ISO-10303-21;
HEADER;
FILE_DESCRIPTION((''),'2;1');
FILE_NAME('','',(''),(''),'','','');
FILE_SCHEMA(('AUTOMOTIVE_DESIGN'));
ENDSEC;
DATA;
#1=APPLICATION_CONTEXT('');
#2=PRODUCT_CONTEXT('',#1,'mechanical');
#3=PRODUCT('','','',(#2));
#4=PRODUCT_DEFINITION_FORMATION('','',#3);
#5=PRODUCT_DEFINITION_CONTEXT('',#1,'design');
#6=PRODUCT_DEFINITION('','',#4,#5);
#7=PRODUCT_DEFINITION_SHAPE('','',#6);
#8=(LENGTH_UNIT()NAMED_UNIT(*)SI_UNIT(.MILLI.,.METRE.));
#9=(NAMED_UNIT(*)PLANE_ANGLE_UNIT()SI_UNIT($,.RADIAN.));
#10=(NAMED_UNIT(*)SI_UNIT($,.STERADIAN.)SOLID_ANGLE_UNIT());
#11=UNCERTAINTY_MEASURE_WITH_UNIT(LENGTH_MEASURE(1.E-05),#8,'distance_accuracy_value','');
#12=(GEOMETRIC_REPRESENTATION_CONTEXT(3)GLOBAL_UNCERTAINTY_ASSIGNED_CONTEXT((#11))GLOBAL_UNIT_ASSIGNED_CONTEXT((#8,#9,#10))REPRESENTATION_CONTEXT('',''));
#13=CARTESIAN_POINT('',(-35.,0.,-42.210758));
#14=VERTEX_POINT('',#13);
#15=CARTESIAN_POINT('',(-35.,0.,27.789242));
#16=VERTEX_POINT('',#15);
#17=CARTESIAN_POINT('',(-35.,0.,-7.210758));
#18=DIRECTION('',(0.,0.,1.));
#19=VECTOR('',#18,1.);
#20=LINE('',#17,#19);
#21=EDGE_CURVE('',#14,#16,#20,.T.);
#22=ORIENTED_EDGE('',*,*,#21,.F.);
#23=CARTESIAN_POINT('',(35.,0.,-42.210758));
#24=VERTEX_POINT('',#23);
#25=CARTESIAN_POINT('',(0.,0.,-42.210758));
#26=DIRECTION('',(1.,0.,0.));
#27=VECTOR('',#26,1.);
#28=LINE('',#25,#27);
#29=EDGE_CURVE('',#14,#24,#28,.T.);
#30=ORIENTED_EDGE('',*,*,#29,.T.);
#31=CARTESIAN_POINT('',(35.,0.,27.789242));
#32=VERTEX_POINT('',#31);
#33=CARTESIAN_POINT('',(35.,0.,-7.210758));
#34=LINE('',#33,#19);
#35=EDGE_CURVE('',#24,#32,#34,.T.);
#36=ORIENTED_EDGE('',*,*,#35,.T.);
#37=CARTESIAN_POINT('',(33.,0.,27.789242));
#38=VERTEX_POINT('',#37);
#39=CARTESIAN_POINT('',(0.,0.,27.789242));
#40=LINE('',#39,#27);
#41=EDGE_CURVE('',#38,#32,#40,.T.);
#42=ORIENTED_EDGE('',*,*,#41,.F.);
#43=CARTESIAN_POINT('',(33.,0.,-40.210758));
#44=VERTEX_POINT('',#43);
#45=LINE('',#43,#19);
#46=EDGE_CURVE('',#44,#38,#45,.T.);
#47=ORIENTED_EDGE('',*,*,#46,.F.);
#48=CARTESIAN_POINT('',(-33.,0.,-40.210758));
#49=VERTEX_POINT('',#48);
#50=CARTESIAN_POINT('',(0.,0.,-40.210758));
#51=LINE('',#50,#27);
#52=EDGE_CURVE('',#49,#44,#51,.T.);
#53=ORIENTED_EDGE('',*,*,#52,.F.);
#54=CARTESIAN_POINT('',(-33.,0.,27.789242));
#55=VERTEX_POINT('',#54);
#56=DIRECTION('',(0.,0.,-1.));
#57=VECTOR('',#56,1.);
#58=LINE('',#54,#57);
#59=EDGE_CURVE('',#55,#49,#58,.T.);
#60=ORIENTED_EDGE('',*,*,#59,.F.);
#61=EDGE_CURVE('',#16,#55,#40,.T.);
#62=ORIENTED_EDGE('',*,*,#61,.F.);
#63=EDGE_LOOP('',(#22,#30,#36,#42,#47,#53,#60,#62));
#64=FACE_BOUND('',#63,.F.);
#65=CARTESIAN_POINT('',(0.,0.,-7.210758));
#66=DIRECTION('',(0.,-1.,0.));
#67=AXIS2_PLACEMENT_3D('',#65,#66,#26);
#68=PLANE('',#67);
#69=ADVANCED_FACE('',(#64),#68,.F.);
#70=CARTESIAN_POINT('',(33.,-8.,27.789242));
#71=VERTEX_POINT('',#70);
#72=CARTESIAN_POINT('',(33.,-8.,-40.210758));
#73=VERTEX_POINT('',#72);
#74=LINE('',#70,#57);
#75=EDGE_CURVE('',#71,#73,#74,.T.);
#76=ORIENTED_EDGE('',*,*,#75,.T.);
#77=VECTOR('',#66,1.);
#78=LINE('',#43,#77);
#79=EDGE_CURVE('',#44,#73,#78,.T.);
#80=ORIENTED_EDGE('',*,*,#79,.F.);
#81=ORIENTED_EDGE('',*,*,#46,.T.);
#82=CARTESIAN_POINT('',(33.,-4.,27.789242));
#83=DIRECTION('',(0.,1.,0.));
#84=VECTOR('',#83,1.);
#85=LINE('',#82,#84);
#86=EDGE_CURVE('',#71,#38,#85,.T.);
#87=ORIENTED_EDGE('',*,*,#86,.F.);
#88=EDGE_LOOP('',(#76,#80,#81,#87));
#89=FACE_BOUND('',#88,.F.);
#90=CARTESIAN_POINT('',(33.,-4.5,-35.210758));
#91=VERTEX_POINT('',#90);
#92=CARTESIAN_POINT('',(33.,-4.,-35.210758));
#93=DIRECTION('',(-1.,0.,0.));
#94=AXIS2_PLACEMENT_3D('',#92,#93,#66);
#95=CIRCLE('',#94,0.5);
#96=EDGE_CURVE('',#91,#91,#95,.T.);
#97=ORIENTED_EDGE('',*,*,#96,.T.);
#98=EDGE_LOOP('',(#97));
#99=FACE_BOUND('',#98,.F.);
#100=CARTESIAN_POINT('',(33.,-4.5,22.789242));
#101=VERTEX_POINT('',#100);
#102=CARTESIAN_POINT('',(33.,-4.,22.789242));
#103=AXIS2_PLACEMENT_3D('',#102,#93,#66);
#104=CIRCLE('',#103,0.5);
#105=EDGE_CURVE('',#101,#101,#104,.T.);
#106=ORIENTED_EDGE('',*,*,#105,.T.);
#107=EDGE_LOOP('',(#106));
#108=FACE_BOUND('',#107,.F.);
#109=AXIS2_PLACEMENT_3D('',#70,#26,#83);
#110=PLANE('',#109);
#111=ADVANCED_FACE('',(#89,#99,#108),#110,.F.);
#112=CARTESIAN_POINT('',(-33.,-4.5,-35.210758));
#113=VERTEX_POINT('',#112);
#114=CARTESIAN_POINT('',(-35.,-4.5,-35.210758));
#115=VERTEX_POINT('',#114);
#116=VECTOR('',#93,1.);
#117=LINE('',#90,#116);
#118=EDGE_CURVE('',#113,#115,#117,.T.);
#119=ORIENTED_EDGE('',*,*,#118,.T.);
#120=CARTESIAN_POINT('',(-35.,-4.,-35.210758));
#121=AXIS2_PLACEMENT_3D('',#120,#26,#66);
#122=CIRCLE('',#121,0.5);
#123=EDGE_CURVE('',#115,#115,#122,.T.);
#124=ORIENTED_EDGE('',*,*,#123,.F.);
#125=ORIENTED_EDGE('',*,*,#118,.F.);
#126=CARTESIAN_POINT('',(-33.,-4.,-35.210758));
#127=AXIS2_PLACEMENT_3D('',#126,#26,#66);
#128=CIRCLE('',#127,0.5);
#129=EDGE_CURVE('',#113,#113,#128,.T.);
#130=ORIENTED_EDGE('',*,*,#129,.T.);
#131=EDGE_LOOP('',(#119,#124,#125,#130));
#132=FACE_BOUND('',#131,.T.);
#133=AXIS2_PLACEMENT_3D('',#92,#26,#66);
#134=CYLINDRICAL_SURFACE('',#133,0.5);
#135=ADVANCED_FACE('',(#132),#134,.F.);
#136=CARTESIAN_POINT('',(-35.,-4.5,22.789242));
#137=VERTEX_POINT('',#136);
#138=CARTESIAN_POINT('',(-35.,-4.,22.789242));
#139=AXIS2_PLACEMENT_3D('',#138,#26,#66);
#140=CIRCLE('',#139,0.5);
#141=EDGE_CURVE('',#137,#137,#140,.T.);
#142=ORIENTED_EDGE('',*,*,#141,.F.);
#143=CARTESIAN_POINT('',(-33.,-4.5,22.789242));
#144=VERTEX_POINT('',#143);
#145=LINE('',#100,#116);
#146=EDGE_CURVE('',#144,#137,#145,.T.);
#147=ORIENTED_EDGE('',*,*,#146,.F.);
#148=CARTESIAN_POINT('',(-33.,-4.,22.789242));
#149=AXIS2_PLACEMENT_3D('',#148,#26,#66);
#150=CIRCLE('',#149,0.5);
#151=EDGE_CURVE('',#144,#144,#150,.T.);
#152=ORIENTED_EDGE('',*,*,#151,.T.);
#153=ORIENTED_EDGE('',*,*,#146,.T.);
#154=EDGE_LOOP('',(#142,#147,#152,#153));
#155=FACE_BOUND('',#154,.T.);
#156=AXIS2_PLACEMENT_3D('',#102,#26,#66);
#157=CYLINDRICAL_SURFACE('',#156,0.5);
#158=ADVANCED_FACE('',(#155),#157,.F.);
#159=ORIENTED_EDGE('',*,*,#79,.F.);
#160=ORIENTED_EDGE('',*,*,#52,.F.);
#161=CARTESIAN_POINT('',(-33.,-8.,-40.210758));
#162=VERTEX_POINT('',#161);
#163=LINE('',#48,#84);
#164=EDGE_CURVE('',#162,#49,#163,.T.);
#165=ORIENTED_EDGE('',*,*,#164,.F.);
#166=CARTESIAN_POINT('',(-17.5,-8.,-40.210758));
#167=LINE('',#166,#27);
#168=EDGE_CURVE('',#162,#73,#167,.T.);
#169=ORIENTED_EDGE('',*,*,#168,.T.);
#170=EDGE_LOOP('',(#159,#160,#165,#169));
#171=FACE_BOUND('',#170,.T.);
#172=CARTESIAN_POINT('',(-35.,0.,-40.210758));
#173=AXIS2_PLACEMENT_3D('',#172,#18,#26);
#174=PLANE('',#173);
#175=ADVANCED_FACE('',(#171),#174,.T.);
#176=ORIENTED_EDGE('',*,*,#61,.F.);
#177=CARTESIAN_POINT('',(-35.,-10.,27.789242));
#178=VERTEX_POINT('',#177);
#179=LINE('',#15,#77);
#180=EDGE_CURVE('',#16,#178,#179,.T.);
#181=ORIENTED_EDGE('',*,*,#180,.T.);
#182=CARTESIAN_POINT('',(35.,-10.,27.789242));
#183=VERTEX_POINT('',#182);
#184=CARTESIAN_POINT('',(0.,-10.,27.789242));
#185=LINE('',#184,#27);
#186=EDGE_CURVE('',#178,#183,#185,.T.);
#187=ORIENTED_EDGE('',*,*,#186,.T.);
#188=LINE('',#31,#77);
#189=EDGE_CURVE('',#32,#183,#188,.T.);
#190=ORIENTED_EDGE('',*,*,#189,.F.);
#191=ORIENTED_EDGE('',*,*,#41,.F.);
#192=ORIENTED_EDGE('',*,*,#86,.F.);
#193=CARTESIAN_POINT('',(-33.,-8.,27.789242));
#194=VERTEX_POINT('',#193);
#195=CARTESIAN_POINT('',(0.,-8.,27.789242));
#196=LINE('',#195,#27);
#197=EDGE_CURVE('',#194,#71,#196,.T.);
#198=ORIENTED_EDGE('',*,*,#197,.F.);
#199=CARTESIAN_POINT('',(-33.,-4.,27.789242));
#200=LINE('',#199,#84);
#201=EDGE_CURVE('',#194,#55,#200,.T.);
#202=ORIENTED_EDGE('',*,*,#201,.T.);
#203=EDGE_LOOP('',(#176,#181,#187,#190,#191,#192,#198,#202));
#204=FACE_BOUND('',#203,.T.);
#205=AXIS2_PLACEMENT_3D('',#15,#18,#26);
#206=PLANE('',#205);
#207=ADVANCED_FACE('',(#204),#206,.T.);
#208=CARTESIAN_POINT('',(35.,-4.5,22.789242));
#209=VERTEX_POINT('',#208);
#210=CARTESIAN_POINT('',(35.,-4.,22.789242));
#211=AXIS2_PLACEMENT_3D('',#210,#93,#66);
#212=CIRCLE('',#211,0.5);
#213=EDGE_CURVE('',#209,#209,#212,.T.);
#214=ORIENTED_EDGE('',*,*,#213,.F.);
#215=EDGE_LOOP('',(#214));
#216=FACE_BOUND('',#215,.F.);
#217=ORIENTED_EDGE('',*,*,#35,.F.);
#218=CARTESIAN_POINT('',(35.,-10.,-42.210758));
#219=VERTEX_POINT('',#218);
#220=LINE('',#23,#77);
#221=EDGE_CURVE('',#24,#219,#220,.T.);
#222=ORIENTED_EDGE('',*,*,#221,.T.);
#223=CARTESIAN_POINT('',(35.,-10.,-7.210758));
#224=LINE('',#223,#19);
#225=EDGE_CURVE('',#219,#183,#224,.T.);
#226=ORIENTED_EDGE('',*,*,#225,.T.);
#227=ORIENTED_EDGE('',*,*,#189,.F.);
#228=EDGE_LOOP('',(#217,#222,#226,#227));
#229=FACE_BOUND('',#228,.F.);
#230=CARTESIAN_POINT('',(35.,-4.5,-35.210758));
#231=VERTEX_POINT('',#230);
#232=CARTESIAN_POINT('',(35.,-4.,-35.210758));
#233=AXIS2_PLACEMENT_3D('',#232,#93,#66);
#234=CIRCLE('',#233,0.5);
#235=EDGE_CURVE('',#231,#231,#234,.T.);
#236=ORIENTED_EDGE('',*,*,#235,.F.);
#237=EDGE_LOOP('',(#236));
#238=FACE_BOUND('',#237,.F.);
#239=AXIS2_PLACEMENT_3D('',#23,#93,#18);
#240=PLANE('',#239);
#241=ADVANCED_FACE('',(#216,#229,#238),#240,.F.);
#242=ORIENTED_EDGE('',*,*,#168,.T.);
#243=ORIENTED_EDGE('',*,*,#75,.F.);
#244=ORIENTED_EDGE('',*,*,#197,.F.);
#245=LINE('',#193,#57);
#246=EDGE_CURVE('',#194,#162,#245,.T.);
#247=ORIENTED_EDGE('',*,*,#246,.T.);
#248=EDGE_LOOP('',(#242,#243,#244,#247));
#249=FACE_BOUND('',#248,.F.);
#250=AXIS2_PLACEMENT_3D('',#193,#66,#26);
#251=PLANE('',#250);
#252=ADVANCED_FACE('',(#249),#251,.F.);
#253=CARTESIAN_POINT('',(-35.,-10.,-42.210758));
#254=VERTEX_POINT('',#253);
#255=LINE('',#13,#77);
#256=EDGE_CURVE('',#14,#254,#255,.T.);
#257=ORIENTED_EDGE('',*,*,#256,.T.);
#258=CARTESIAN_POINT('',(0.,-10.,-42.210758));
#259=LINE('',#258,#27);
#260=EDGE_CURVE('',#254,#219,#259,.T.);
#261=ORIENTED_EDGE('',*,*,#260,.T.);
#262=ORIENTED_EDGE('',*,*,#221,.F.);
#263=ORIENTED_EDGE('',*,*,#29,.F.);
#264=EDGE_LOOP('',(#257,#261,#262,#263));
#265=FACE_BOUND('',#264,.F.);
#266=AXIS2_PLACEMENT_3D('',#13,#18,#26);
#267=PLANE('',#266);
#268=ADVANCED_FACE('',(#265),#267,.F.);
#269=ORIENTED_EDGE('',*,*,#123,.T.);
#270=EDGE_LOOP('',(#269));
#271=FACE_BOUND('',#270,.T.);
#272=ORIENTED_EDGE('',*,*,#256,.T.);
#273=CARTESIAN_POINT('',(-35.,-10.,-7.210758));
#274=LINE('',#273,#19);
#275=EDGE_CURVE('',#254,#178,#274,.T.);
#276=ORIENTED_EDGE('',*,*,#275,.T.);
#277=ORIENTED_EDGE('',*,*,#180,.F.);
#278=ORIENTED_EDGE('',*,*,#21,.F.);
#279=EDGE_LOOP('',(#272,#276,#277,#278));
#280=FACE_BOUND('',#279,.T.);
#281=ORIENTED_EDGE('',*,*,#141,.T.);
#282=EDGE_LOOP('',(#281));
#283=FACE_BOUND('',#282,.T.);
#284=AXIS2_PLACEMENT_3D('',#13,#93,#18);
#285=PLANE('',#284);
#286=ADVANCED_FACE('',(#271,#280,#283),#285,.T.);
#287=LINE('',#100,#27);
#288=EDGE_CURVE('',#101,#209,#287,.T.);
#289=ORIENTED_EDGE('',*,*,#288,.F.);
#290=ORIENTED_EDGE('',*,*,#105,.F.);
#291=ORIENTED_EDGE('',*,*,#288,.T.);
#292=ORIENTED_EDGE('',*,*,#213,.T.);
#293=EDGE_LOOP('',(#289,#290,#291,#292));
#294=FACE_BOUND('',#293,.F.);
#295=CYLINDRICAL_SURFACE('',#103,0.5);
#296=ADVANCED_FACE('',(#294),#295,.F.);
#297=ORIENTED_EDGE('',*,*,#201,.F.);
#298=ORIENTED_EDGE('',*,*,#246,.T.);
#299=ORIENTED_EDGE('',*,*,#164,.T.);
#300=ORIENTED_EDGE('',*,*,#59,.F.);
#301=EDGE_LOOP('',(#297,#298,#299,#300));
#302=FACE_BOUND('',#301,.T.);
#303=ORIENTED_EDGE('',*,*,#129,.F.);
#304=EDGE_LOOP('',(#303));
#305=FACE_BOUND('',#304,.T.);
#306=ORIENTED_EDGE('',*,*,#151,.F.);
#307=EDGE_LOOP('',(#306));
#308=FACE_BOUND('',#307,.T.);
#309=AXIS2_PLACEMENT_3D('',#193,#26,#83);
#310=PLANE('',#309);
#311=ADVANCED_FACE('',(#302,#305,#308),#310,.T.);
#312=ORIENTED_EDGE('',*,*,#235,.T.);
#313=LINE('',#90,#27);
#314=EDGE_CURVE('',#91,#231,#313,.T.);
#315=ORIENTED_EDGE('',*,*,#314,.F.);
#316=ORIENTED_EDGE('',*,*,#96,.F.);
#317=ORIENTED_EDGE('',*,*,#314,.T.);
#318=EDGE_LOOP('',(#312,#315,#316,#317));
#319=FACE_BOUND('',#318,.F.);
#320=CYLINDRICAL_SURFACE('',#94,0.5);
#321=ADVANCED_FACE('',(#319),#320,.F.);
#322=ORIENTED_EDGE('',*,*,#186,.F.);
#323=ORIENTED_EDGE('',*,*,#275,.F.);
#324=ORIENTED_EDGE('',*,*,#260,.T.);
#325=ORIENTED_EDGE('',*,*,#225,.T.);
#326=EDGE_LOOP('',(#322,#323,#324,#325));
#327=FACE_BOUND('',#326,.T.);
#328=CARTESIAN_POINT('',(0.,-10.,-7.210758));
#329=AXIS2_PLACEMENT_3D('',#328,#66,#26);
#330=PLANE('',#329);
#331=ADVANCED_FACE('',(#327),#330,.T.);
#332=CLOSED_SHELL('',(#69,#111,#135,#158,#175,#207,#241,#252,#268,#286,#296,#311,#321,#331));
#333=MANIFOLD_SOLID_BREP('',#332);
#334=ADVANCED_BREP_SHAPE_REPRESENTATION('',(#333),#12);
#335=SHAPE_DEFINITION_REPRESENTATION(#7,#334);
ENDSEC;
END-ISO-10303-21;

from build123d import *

# Parameters (mm, degrees)
F0_W          = 70
F0_H          = 70
F1_DEPTH      = 10
F2_T          = -2
F3_W          = 66
F3_H          = 8
F4_DEPTH      = 4.32812
F5_R          = 0.5
F6_DEPTH      = 2.001
F6_DEPTH_BACK = 68.001


with BuildPart() as f1:
    # F0 (on Front) → F1 (new body)
    with BuildSketch(Plane.XZ):
        with Locations((0, -7.2107579758)):
            Rectangle(F0_W, F0_H)
    extrude(amount=F1_DEPTH)

    # F2
    f2_openings = [f1.faces().sort_by_distance(p)[0] for p in [
        (0, 0, -7.210758),
    ]]
    offset(amount=F2_T, openings=f2_openings)

    # F3 (on face) → F4 (cut)
    with BuildSketch(Plane.XY.offset(27.7892420242)):
        with Locations((0, -4)):
            Rectangle(F3_W, F3_H)
    extrude(amount=-F4_DEPTH, mode=Mode.SUBTRACT)

    # F5 (on face) → F6 (cut, two sides)
    with BuildSketch(Plane(origin=(33, 0, 0), x_dir=(0, -1, 0), z_dir=(-1, 0, 0))) as f6_sk:
        with Locations((4, 22.7892420242)):
            Circle(F5_R)
        with Locations((4, -35.2107579758)):
            Circle(F5_R)
    extrude(amount=-F6_DEPTH, mode=Mode.SUBTRACT)
    extrude(f6_sk.sketch, amount=F6_DEPTH_BACK, mode=Mode.SUBTRACT)


solid = f1.part
